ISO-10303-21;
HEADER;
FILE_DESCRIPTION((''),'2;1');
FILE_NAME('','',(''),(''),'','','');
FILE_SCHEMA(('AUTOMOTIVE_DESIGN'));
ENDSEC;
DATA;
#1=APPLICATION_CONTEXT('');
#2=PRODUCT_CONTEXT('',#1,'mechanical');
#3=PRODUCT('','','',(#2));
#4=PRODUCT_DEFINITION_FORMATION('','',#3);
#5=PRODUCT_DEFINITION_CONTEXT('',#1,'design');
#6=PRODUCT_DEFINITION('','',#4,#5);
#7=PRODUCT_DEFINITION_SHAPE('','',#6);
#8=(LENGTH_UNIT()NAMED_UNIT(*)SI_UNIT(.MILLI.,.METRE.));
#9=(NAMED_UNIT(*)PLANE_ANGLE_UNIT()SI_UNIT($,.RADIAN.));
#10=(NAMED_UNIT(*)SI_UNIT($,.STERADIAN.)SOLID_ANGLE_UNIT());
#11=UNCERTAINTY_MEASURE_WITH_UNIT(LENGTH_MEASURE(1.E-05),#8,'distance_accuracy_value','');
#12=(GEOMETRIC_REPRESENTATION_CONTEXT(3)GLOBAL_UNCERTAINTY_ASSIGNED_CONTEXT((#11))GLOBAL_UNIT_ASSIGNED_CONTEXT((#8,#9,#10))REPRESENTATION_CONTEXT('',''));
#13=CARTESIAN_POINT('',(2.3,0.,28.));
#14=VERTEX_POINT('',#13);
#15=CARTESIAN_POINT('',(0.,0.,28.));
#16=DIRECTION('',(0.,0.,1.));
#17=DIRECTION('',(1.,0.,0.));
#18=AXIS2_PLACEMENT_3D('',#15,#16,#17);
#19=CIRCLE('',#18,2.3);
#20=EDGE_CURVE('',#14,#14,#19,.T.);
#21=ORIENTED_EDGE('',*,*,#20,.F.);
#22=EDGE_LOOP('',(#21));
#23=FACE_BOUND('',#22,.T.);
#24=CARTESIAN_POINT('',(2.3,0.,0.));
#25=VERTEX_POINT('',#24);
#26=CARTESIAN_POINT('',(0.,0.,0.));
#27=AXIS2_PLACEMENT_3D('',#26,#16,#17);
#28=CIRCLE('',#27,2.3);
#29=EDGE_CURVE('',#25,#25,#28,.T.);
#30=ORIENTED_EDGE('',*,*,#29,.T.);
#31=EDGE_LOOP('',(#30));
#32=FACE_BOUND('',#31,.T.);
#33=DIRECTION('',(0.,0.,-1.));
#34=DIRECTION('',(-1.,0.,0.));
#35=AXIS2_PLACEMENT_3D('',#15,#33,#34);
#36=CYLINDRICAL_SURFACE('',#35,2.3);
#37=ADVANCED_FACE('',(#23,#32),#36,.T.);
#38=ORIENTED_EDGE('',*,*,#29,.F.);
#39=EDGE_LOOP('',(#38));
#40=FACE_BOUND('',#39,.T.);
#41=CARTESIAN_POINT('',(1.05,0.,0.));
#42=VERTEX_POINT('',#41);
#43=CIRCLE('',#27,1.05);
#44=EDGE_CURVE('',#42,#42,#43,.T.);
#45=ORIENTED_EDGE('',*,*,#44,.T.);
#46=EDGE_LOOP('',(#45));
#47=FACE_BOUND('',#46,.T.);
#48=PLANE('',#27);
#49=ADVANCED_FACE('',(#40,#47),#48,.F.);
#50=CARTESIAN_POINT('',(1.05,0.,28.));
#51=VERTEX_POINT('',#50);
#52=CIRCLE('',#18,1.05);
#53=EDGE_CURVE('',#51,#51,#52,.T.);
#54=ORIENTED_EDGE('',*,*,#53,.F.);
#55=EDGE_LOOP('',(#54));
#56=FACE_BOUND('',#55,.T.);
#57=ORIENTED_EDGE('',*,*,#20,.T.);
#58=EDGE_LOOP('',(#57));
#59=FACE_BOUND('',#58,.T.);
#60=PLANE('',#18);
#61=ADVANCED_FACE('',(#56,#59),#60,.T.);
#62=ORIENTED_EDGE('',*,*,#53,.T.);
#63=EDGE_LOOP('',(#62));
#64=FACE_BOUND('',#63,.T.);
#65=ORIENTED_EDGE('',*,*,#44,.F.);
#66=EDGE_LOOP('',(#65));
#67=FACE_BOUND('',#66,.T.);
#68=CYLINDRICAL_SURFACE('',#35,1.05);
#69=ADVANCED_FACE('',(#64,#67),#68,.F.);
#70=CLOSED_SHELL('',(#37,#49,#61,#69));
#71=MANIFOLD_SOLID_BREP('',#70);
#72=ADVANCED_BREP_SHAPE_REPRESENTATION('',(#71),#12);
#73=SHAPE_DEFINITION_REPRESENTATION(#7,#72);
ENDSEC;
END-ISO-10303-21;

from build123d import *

# Parameters (mm, degrees)
SKETCH1_R           = 2.3
SKETCH1_R_2         = 1.05
BOSS_EXTRUDE1_DEPTH = 28


with BuildPart() as part:
    # Sketch1 → Boss-Extrude1 (new body)
    with BuildSketch(Plane.XY):
        Circle(SKETCH1_R)
        Circle(SKETCH1_R_2, mode=Mode.SUBTRACT)
    extrude(amount=BOSS_EXTRUDE1_DEPTH)


solid = part.part
